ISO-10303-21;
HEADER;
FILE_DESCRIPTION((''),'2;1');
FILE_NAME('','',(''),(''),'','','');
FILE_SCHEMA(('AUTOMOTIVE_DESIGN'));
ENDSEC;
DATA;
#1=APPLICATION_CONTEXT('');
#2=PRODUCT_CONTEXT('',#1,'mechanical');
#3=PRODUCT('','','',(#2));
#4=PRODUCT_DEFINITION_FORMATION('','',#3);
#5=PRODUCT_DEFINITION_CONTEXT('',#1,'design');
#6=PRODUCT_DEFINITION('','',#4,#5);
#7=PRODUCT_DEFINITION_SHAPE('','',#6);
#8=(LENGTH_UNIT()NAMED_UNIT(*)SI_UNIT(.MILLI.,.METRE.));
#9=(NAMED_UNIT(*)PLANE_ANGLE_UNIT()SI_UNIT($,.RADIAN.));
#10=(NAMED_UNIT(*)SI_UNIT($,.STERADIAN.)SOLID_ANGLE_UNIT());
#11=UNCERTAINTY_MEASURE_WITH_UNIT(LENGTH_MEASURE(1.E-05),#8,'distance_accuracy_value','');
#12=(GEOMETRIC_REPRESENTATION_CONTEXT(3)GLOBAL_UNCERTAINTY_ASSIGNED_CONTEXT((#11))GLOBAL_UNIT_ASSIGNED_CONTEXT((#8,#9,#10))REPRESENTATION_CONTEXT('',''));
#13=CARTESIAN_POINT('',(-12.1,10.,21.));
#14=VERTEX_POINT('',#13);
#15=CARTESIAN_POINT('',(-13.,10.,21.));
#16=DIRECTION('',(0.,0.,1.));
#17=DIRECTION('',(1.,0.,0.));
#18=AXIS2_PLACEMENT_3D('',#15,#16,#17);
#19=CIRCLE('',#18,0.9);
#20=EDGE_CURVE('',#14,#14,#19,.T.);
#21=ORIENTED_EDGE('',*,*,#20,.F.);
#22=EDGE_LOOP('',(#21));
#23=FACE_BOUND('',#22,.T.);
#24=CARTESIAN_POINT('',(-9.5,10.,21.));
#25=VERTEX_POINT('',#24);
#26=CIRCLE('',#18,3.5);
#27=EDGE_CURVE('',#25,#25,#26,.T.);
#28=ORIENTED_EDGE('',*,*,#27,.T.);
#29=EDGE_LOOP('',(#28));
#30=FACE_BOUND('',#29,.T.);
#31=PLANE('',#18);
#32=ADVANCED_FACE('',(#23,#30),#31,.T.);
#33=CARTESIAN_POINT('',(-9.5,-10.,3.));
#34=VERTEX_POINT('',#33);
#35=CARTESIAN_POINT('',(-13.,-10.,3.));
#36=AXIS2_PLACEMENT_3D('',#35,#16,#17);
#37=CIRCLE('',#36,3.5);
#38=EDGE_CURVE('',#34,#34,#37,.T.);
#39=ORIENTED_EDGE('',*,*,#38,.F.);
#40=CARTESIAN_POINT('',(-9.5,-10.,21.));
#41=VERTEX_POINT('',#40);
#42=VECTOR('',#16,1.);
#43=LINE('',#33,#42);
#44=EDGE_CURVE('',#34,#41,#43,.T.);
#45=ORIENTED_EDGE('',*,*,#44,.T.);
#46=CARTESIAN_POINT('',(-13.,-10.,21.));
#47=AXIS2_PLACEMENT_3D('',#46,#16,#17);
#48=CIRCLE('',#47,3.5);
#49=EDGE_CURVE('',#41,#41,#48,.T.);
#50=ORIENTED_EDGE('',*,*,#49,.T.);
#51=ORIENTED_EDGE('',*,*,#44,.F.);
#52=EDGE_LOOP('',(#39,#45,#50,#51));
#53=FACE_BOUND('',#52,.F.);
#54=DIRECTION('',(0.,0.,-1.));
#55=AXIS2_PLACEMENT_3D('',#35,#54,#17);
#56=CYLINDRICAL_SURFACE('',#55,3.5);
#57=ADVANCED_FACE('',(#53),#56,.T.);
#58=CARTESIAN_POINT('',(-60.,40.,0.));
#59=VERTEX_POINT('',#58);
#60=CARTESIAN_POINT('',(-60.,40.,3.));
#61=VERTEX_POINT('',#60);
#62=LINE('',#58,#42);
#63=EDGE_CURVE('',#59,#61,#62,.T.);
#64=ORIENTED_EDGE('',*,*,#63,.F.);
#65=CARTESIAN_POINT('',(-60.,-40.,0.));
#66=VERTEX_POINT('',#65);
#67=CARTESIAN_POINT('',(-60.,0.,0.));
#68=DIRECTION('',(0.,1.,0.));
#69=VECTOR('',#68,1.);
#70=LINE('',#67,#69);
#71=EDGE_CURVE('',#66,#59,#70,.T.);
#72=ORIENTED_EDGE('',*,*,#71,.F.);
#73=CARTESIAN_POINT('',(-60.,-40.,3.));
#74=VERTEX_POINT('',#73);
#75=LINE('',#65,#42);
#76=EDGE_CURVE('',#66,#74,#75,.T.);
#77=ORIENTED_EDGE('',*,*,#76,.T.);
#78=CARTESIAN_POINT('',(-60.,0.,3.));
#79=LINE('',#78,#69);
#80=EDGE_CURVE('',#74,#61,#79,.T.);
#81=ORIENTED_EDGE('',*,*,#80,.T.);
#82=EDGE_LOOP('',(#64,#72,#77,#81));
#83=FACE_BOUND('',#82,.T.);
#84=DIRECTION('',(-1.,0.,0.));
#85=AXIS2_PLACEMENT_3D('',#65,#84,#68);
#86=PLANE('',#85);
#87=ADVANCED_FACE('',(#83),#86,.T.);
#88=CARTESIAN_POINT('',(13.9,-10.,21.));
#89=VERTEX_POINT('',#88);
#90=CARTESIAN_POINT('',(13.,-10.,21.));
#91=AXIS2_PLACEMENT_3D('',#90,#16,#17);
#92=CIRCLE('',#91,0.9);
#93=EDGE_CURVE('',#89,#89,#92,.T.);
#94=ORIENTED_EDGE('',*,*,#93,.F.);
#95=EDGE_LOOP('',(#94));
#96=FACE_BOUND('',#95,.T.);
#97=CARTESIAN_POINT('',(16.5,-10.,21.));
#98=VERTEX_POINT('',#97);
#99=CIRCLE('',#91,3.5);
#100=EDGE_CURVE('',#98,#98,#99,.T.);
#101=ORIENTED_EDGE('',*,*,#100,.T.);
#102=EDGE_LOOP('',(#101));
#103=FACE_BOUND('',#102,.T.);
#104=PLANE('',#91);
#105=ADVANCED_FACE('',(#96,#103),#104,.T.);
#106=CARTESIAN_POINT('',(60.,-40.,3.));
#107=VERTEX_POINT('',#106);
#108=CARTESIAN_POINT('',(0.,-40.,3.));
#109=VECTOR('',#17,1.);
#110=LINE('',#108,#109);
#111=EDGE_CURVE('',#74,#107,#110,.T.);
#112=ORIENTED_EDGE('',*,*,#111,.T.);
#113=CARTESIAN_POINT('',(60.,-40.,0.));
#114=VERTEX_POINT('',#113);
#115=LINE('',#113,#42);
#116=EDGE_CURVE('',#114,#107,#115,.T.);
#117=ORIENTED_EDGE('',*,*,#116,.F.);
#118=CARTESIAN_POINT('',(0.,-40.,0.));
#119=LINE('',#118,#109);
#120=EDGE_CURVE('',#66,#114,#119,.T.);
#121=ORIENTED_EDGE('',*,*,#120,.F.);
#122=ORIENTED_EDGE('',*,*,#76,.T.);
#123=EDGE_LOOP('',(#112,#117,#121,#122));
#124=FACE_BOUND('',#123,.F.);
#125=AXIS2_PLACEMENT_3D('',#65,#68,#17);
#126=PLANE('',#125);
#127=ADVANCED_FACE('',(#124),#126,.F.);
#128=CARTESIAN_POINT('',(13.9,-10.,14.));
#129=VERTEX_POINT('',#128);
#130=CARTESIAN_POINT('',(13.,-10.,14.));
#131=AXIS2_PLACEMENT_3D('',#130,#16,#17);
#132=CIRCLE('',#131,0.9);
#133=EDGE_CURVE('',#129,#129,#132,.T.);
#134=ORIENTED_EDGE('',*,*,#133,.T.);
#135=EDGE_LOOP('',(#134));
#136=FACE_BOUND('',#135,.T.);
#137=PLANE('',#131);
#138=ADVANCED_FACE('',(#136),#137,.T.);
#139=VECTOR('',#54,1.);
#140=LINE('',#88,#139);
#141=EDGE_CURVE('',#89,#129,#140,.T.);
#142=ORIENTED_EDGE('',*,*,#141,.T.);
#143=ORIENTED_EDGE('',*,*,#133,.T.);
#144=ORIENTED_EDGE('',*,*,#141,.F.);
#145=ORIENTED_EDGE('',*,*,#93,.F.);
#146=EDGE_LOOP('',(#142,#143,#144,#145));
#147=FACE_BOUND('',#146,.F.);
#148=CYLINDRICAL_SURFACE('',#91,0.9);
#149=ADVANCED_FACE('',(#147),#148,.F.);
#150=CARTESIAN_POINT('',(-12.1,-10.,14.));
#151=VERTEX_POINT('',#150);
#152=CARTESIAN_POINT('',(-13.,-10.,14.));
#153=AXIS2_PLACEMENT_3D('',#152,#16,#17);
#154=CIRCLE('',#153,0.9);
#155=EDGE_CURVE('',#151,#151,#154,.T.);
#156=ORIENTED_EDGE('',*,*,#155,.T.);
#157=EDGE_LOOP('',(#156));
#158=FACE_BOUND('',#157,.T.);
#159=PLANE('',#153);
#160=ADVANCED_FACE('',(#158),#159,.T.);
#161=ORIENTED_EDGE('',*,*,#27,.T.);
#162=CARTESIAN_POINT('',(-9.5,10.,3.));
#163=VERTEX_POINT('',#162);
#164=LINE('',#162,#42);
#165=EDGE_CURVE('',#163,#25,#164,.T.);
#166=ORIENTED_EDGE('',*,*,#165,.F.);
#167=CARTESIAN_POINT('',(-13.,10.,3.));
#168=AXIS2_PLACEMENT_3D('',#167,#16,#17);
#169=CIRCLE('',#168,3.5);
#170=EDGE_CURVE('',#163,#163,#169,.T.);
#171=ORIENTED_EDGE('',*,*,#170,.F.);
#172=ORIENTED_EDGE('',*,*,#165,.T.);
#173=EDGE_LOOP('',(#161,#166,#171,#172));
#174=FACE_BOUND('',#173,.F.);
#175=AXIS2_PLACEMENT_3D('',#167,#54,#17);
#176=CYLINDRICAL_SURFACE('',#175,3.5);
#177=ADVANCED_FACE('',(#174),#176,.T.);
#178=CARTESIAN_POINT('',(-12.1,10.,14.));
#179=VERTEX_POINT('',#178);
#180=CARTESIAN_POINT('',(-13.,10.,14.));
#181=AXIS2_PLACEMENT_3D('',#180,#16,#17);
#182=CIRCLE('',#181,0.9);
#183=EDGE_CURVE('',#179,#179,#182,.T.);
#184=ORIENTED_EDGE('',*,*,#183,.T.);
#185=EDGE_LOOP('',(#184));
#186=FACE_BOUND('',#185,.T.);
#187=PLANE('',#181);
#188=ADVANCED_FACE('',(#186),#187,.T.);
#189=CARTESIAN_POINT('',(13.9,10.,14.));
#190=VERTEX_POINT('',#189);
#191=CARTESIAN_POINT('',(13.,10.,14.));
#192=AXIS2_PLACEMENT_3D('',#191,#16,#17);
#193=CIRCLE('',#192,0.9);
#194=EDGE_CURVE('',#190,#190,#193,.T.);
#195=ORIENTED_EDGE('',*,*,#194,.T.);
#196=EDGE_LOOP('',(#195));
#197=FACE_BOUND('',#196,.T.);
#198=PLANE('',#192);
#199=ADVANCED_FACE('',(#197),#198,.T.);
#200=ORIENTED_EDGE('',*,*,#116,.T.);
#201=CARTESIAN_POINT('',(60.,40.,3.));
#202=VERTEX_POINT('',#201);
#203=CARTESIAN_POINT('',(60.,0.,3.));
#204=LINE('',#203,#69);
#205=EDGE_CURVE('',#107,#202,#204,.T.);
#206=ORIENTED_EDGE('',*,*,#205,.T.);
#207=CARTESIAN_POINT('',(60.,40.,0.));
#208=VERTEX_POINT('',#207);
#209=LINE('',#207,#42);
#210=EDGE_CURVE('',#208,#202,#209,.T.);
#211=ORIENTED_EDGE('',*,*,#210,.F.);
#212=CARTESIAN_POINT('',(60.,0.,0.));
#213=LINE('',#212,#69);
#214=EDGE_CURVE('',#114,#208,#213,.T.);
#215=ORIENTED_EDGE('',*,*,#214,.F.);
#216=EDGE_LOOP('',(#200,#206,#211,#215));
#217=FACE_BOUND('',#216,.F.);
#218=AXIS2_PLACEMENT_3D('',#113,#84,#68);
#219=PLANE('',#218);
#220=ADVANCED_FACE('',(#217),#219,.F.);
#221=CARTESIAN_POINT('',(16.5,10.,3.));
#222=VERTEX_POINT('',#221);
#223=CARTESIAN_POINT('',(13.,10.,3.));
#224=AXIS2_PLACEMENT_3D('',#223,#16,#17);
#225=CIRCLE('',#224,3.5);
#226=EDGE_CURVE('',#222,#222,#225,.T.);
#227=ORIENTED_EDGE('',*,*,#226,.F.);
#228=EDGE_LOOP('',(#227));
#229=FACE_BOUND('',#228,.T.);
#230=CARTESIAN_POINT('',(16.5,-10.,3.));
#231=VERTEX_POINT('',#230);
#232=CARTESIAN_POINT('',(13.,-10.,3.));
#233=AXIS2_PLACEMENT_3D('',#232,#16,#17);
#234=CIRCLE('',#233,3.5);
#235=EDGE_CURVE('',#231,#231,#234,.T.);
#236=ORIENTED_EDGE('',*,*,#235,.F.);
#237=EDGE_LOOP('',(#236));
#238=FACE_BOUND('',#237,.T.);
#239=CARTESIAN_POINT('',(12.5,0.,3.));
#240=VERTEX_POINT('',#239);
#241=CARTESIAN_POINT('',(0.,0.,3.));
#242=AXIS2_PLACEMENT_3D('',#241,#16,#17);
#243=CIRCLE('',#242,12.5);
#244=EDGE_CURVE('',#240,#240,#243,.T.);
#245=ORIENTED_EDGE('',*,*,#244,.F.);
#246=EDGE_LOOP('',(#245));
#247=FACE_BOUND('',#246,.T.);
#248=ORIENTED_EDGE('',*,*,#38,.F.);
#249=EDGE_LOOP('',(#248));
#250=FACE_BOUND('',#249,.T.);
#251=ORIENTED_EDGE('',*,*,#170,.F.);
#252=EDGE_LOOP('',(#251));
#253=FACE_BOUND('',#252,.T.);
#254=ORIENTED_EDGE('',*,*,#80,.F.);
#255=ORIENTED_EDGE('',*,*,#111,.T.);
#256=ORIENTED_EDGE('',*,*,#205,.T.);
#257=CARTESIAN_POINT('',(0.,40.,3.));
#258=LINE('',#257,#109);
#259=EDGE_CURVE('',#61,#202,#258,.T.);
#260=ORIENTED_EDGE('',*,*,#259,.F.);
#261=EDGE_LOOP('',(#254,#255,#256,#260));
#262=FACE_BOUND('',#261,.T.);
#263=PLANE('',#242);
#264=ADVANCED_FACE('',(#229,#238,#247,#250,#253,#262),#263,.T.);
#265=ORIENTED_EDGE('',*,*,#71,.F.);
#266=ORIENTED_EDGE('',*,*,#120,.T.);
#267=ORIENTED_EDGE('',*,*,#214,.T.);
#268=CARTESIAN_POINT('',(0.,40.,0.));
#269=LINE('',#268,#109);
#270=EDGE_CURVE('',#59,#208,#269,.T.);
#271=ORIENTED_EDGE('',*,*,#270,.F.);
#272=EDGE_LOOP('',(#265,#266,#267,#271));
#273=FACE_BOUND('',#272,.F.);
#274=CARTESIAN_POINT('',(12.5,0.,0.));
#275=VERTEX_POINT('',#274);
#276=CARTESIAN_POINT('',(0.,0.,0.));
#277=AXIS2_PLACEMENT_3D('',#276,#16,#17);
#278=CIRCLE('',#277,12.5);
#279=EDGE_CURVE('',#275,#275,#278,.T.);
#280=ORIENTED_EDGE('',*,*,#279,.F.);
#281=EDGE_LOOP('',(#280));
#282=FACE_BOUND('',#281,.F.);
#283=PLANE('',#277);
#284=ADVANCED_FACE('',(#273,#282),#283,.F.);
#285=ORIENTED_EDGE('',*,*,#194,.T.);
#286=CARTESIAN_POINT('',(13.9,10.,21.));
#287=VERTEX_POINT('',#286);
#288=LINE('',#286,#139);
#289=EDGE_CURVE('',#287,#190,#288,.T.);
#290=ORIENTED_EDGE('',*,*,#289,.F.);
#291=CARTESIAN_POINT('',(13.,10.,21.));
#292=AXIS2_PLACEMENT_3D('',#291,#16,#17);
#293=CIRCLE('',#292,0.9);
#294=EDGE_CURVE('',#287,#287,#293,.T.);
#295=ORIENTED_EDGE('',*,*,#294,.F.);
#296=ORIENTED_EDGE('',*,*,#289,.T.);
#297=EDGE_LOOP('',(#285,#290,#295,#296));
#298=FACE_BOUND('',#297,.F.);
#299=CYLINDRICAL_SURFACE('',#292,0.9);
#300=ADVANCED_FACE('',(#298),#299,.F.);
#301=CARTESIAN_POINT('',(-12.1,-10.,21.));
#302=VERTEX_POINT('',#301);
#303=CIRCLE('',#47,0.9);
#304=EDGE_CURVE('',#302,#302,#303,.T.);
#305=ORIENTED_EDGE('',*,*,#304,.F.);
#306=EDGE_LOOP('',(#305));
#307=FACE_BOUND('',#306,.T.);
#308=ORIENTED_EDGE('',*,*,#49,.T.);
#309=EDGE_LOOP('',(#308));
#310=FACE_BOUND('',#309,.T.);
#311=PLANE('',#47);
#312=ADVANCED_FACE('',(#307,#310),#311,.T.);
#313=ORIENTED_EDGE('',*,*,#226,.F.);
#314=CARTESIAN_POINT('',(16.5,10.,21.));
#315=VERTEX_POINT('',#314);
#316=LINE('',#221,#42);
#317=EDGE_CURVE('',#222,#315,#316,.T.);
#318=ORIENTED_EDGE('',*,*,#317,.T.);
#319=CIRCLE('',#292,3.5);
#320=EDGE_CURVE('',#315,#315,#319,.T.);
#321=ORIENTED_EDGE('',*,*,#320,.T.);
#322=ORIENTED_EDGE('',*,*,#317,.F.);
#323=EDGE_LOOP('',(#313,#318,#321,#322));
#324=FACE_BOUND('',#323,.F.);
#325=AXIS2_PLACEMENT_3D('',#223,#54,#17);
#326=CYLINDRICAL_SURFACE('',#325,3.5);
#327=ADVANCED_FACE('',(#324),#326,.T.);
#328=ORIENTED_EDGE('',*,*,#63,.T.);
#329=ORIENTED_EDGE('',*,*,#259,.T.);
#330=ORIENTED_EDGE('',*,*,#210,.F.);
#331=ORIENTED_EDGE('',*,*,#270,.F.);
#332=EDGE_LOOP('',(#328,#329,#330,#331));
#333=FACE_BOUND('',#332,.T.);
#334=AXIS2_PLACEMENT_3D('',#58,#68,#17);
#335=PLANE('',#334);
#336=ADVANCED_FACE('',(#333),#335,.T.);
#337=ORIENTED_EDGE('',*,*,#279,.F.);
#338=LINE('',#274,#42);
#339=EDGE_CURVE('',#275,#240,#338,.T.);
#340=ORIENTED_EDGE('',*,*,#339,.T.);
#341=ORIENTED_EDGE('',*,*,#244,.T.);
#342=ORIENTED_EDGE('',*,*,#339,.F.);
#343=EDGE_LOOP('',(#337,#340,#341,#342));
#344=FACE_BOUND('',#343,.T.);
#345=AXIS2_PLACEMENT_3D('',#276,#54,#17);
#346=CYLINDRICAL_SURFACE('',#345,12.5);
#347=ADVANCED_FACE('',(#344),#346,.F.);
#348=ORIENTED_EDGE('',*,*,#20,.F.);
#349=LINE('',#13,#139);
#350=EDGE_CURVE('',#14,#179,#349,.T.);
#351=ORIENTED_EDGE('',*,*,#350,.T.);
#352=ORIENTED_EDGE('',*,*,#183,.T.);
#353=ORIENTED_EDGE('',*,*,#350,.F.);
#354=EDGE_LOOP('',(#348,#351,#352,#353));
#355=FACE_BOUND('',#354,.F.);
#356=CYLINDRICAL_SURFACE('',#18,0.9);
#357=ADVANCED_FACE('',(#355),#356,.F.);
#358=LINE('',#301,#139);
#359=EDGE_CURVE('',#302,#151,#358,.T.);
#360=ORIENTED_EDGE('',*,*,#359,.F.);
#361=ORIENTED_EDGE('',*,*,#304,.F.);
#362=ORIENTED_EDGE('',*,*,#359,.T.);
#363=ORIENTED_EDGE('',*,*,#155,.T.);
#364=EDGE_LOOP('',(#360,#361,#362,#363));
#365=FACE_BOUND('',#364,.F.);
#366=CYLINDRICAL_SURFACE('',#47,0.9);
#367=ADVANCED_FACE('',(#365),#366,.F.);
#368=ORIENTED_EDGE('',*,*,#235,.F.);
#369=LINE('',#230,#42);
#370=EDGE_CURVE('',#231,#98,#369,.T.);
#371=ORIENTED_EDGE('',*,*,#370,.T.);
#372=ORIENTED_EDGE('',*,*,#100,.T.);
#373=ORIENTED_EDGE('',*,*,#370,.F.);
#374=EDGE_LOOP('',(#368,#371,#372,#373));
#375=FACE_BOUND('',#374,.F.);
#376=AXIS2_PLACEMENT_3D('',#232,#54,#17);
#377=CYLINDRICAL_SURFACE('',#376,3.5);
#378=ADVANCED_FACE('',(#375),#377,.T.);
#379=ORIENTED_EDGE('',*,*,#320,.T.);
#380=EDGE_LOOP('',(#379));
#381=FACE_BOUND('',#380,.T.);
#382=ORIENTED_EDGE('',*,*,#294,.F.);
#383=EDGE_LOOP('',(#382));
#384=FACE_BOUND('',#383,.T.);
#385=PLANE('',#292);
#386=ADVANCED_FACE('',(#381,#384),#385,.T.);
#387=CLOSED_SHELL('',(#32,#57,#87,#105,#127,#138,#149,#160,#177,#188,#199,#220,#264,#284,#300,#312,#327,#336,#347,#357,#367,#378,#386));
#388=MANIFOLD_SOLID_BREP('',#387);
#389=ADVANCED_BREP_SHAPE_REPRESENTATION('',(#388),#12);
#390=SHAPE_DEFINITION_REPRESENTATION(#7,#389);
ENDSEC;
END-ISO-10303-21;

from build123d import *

# Parameters (mm, degrees)
F0_W     = 120
F0_H     = 80
F0_R     = 12.5
F1_DEPTH = 3
F2_R     = 3.5
F3_DEPTH = 18
F4_R     = 0.9
F5_DEPTH = 7


with BuildPart() as f1:
    # F0 (on Top) → F1 (new body)
    with BuildSketch(Plane.XY):
        Rectangle(F0_W, F0_H)
        Circle(F0_R, mode=Mode.SUBTRACT)
    extrude(amount=F1_DEPTH)

    # F2 (on face) → F3 (join)
    with BuildSketch(Plane.XY.offset(3)):
        with Locations((-13, 10)):
            Circle(F2_R)
        with Locations((13, 10)):
            Circle(F2_R)
        with Locations((13, -10)):
            Circle(F2_R)
        with Locations((-13, -10)):
            Circle(F2_R)
    extrude(amount=F3_DEPTH)

    # F4 (on face) → F5 (cut)
    with BuildSketch(Plane.XY.offset(21)):
        with Locations((-13, 10)):
            Circle(F4_R)
        with Locations((13, 10)):
            Circle(F4_R)
        with Locations((13, -10)):
            Circle(F4_R)
        with Locations((-13, -10)):
            Circle(F4_R)
    extrude(amount=-F5_DEPTH, mode=Mode.SUBTRACT)


solid = f1.part
